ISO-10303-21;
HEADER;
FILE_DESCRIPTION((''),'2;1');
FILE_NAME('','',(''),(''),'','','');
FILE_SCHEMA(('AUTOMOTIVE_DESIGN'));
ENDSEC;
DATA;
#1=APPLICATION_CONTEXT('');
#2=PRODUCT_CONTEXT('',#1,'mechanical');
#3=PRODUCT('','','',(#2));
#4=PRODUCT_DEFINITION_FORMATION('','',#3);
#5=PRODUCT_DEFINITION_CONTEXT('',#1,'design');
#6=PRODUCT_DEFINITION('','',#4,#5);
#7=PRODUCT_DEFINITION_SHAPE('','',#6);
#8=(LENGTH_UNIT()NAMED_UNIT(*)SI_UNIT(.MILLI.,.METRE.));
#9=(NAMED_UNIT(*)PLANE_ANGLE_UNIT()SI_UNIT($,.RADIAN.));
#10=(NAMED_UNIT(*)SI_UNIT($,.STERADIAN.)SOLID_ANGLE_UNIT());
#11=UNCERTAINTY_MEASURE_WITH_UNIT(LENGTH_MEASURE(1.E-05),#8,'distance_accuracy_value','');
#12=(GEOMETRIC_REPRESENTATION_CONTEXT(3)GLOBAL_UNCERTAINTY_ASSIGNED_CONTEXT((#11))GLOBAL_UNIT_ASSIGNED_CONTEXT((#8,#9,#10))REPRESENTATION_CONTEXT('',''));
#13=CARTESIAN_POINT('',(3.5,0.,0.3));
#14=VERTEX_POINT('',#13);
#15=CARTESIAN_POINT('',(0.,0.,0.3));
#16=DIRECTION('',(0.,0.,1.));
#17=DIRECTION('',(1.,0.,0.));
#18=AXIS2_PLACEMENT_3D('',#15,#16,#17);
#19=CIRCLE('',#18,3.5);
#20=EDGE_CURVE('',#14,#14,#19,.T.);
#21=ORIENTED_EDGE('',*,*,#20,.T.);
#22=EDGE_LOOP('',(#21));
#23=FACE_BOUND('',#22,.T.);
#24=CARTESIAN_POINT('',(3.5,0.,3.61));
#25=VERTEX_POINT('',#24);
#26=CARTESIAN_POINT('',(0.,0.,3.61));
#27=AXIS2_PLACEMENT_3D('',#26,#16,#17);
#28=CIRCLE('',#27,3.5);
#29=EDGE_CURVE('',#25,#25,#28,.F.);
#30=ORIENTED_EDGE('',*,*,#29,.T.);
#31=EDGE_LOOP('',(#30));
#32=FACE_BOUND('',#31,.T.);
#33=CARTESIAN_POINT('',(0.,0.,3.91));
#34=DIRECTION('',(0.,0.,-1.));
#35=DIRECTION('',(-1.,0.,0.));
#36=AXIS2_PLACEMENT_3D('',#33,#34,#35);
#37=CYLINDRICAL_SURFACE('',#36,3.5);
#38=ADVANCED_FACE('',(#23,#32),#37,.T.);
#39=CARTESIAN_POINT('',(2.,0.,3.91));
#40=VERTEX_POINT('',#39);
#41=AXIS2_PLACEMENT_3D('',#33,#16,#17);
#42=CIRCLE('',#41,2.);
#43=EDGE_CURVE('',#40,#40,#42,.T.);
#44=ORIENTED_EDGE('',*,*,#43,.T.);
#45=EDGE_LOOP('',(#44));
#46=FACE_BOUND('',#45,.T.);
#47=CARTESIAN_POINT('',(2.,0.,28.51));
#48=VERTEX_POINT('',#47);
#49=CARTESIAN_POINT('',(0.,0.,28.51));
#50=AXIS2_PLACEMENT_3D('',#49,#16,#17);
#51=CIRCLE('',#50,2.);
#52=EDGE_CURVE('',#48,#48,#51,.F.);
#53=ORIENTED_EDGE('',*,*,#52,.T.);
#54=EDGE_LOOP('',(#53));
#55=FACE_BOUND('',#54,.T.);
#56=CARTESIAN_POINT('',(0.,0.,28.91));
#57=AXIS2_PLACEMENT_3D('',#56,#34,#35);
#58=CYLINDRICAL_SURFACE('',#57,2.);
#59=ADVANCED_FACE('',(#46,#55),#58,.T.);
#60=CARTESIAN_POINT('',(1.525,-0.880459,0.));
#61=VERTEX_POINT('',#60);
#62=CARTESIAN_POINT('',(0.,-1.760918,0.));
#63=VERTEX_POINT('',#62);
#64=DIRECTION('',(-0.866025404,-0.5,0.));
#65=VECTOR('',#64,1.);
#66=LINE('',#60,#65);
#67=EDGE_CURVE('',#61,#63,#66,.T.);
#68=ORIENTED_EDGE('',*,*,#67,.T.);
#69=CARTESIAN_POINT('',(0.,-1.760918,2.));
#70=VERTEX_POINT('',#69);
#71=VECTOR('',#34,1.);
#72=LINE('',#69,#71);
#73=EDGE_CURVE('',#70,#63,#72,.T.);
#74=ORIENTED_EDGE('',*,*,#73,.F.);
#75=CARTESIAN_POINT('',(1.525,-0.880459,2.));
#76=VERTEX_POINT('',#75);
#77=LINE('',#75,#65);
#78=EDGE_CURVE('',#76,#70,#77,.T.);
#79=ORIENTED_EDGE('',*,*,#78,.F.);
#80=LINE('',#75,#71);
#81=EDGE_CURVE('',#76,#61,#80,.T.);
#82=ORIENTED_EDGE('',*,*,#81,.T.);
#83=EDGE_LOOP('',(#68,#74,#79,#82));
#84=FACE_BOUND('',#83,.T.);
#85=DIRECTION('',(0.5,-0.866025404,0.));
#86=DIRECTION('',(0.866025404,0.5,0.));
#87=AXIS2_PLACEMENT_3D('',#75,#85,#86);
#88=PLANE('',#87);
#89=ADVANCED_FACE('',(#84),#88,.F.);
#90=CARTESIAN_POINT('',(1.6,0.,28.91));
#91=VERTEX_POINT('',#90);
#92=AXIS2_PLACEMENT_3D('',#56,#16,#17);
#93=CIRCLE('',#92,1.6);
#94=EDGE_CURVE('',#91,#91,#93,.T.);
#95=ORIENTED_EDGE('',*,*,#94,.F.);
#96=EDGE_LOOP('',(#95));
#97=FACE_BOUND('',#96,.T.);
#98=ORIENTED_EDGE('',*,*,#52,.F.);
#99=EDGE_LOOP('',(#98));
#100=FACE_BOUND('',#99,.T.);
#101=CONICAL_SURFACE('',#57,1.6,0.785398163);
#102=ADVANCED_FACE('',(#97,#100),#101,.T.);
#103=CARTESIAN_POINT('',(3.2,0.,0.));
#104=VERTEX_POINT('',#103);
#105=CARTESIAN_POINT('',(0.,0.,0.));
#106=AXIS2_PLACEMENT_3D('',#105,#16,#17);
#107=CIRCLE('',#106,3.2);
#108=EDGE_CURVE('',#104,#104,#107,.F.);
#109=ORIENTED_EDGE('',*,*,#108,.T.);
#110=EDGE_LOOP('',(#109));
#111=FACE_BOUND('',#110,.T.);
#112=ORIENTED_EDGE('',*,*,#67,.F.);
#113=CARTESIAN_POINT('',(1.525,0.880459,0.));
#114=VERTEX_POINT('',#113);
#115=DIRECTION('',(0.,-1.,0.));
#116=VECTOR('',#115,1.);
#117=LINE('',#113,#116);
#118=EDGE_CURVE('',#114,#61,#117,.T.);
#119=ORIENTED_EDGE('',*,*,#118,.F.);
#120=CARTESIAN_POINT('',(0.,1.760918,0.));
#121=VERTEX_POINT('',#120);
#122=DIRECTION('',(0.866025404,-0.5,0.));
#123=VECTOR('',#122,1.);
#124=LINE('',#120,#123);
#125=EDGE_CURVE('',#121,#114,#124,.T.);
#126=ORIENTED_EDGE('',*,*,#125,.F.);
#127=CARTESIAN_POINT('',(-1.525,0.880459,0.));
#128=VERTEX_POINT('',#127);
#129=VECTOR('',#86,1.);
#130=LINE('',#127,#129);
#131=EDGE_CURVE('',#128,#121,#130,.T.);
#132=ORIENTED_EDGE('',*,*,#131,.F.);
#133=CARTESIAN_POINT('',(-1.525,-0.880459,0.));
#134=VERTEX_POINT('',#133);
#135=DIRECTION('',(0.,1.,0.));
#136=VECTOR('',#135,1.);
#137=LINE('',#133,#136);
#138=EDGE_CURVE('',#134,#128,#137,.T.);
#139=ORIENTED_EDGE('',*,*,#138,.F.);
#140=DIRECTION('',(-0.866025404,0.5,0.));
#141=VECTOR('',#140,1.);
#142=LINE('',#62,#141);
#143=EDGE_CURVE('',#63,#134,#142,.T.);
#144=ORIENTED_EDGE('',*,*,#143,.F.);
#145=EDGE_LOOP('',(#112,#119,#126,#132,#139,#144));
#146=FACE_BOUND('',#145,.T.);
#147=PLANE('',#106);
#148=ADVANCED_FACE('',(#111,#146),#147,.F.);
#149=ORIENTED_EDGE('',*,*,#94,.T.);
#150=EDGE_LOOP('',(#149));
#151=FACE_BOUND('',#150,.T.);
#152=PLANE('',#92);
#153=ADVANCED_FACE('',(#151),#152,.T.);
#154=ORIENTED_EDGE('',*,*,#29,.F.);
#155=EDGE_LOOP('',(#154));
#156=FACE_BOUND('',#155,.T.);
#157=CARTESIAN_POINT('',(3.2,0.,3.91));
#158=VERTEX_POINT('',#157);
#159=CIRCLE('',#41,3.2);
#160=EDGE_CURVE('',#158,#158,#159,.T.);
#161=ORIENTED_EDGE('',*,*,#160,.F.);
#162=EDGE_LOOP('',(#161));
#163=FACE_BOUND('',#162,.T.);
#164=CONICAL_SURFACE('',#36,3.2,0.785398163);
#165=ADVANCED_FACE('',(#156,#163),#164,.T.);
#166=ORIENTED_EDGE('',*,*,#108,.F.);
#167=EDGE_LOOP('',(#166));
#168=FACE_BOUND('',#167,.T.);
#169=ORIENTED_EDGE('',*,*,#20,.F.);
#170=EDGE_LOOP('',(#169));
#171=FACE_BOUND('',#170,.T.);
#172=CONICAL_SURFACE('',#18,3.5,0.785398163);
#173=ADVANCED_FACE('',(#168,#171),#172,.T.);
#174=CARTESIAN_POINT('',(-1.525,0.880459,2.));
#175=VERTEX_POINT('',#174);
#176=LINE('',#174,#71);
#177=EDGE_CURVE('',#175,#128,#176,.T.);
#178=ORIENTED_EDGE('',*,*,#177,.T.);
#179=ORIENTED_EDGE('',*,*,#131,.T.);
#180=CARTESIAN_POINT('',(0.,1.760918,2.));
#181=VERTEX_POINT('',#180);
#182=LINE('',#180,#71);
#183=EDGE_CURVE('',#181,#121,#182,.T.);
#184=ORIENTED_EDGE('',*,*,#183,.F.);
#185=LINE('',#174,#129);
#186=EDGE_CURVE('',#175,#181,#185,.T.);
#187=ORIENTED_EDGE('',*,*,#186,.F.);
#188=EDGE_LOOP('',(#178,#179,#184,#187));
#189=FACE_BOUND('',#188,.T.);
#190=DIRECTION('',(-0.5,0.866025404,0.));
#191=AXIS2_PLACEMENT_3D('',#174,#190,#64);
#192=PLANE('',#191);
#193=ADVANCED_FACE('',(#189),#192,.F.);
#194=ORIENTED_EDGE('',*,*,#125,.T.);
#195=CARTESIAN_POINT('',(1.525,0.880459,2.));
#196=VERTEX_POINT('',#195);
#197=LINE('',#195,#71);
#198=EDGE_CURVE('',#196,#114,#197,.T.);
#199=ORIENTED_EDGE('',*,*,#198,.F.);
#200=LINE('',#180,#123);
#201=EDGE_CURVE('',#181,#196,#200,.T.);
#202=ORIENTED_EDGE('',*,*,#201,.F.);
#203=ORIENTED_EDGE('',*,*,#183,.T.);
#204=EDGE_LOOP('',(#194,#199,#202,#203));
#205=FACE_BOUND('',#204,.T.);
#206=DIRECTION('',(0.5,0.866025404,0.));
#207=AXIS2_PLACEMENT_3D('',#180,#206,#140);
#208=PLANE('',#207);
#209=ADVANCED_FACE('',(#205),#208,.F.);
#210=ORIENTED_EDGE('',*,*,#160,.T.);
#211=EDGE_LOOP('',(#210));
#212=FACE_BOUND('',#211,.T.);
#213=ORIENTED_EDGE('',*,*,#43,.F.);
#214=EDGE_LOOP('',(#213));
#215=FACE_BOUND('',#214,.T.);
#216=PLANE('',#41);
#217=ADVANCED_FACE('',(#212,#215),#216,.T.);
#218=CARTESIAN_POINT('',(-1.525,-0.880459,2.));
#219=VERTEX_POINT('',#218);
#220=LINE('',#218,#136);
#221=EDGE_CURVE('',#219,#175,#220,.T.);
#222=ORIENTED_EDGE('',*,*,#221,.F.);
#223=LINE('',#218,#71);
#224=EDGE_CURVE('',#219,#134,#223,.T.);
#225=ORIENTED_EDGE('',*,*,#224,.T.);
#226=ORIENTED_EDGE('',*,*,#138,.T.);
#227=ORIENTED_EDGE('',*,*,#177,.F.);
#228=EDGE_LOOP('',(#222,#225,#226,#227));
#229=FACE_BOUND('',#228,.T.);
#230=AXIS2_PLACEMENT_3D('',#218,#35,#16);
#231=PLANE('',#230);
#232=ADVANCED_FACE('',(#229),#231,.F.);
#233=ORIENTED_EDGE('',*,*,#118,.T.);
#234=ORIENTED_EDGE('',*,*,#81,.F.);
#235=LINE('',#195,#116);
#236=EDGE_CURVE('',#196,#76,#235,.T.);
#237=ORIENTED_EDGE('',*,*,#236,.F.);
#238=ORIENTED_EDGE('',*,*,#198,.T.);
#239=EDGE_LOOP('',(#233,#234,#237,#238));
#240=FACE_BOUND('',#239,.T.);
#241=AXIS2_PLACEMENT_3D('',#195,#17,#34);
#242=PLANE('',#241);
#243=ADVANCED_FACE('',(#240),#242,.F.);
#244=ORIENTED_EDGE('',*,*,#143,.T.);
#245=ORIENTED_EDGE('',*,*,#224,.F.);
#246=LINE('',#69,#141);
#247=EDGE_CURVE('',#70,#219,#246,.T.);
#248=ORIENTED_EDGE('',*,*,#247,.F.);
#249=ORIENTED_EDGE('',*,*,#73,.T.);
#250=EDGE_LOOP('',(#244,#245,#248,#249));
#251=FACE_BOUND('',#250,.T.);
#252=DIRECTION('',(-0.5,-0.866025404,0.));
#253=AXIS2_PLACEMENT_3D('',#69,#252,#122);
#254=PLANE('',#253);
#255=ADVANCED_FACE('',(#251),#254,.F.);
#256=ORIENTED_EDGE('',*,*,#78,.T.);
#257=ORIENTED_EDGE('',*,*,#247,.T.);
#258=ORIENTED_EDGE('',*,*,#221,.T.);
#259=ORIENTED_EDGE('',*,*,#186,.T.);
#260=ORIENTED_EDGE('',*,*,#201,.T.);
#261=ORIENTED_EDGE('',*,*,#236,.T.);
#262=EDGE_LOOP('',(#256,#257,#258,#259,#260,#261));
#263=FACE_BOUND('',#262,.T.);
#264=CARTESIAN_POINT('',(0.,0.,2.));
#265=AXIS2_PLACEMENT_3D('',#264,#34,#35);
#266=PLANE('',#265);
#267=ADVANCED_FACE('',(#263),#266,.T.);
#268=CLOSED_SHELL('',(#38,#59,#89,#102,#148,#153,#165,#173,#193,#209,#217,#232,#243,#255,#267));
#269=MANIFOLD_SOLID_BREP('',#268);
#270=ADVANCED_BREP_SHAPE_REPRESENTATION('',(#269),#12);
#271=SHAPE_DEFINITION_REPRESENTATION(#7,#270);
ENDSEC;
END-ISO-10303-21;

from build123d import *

# Parameters (mm, degrees)
SKETCH_1_R          = 3.5
EXTRUDE_1_DEPTH     = 3.91
SKETCH_2_R          = 2
EXTRUDE_2_DEPTH     = 25
CUT_EXTRUDE_1_DEPTH = 2
CHAMFER_1_SIZE      = 0.4
CHAMFER_2_SIZE      = 0.3


with BuildPart() as part:
    # 草图1 → 凸台-拉伸1 (new body)
    with BuildSketch(Plane.XY):
        Circle(SKETCH_1_R)
    extrude(amount=EXTRUDE_1_DEPTH)

    # 草图2 → 凸台-拉伸2 (add)
    with BuildSketch(Plane.XY.offset(3.91)):
        Circle(SKETCH_2_R)
    extrude(amount=EXTRUDE_2_DEPTH)

    # 草图3 → 切除-拉伸1 (cut)
    with BuildSketch(Plane(origin=(0, 0, 0), x_dir=(-1, 0, 0), z_dir=(0, 0, -1))):
        Polygon((0, 1.760918321), (-1.525, 0.880459161), (-1.525, -0.880459161), (0, -1.760918321), (1.525, -0.880459161), (1.525, 0.880459161), align=None)
    extrude(amount=-CUT_EXTRUDE_1_DEPTH, mode=Mode.SUBTRACT)

    # 倒角1
    chamfer_1_edges = [part.edges().sort_by_distance(p)[0] for p in [
        (-2, 0, 28.91),
    ]]
    chamfer(chamfer_1_edges, length=CHAMFER_1_SIZE)

    # 倒角2
    chamfer_2_edges = [part.edges().sort_by_distance(p)[0] for p in [
        (-3.5, 0, 0),
        (-3.5, 0, 3.91),
    ]]
    chamfer(chamfer_2_edges, length=CHAMFER_2_SIZE)


solid = part.part
